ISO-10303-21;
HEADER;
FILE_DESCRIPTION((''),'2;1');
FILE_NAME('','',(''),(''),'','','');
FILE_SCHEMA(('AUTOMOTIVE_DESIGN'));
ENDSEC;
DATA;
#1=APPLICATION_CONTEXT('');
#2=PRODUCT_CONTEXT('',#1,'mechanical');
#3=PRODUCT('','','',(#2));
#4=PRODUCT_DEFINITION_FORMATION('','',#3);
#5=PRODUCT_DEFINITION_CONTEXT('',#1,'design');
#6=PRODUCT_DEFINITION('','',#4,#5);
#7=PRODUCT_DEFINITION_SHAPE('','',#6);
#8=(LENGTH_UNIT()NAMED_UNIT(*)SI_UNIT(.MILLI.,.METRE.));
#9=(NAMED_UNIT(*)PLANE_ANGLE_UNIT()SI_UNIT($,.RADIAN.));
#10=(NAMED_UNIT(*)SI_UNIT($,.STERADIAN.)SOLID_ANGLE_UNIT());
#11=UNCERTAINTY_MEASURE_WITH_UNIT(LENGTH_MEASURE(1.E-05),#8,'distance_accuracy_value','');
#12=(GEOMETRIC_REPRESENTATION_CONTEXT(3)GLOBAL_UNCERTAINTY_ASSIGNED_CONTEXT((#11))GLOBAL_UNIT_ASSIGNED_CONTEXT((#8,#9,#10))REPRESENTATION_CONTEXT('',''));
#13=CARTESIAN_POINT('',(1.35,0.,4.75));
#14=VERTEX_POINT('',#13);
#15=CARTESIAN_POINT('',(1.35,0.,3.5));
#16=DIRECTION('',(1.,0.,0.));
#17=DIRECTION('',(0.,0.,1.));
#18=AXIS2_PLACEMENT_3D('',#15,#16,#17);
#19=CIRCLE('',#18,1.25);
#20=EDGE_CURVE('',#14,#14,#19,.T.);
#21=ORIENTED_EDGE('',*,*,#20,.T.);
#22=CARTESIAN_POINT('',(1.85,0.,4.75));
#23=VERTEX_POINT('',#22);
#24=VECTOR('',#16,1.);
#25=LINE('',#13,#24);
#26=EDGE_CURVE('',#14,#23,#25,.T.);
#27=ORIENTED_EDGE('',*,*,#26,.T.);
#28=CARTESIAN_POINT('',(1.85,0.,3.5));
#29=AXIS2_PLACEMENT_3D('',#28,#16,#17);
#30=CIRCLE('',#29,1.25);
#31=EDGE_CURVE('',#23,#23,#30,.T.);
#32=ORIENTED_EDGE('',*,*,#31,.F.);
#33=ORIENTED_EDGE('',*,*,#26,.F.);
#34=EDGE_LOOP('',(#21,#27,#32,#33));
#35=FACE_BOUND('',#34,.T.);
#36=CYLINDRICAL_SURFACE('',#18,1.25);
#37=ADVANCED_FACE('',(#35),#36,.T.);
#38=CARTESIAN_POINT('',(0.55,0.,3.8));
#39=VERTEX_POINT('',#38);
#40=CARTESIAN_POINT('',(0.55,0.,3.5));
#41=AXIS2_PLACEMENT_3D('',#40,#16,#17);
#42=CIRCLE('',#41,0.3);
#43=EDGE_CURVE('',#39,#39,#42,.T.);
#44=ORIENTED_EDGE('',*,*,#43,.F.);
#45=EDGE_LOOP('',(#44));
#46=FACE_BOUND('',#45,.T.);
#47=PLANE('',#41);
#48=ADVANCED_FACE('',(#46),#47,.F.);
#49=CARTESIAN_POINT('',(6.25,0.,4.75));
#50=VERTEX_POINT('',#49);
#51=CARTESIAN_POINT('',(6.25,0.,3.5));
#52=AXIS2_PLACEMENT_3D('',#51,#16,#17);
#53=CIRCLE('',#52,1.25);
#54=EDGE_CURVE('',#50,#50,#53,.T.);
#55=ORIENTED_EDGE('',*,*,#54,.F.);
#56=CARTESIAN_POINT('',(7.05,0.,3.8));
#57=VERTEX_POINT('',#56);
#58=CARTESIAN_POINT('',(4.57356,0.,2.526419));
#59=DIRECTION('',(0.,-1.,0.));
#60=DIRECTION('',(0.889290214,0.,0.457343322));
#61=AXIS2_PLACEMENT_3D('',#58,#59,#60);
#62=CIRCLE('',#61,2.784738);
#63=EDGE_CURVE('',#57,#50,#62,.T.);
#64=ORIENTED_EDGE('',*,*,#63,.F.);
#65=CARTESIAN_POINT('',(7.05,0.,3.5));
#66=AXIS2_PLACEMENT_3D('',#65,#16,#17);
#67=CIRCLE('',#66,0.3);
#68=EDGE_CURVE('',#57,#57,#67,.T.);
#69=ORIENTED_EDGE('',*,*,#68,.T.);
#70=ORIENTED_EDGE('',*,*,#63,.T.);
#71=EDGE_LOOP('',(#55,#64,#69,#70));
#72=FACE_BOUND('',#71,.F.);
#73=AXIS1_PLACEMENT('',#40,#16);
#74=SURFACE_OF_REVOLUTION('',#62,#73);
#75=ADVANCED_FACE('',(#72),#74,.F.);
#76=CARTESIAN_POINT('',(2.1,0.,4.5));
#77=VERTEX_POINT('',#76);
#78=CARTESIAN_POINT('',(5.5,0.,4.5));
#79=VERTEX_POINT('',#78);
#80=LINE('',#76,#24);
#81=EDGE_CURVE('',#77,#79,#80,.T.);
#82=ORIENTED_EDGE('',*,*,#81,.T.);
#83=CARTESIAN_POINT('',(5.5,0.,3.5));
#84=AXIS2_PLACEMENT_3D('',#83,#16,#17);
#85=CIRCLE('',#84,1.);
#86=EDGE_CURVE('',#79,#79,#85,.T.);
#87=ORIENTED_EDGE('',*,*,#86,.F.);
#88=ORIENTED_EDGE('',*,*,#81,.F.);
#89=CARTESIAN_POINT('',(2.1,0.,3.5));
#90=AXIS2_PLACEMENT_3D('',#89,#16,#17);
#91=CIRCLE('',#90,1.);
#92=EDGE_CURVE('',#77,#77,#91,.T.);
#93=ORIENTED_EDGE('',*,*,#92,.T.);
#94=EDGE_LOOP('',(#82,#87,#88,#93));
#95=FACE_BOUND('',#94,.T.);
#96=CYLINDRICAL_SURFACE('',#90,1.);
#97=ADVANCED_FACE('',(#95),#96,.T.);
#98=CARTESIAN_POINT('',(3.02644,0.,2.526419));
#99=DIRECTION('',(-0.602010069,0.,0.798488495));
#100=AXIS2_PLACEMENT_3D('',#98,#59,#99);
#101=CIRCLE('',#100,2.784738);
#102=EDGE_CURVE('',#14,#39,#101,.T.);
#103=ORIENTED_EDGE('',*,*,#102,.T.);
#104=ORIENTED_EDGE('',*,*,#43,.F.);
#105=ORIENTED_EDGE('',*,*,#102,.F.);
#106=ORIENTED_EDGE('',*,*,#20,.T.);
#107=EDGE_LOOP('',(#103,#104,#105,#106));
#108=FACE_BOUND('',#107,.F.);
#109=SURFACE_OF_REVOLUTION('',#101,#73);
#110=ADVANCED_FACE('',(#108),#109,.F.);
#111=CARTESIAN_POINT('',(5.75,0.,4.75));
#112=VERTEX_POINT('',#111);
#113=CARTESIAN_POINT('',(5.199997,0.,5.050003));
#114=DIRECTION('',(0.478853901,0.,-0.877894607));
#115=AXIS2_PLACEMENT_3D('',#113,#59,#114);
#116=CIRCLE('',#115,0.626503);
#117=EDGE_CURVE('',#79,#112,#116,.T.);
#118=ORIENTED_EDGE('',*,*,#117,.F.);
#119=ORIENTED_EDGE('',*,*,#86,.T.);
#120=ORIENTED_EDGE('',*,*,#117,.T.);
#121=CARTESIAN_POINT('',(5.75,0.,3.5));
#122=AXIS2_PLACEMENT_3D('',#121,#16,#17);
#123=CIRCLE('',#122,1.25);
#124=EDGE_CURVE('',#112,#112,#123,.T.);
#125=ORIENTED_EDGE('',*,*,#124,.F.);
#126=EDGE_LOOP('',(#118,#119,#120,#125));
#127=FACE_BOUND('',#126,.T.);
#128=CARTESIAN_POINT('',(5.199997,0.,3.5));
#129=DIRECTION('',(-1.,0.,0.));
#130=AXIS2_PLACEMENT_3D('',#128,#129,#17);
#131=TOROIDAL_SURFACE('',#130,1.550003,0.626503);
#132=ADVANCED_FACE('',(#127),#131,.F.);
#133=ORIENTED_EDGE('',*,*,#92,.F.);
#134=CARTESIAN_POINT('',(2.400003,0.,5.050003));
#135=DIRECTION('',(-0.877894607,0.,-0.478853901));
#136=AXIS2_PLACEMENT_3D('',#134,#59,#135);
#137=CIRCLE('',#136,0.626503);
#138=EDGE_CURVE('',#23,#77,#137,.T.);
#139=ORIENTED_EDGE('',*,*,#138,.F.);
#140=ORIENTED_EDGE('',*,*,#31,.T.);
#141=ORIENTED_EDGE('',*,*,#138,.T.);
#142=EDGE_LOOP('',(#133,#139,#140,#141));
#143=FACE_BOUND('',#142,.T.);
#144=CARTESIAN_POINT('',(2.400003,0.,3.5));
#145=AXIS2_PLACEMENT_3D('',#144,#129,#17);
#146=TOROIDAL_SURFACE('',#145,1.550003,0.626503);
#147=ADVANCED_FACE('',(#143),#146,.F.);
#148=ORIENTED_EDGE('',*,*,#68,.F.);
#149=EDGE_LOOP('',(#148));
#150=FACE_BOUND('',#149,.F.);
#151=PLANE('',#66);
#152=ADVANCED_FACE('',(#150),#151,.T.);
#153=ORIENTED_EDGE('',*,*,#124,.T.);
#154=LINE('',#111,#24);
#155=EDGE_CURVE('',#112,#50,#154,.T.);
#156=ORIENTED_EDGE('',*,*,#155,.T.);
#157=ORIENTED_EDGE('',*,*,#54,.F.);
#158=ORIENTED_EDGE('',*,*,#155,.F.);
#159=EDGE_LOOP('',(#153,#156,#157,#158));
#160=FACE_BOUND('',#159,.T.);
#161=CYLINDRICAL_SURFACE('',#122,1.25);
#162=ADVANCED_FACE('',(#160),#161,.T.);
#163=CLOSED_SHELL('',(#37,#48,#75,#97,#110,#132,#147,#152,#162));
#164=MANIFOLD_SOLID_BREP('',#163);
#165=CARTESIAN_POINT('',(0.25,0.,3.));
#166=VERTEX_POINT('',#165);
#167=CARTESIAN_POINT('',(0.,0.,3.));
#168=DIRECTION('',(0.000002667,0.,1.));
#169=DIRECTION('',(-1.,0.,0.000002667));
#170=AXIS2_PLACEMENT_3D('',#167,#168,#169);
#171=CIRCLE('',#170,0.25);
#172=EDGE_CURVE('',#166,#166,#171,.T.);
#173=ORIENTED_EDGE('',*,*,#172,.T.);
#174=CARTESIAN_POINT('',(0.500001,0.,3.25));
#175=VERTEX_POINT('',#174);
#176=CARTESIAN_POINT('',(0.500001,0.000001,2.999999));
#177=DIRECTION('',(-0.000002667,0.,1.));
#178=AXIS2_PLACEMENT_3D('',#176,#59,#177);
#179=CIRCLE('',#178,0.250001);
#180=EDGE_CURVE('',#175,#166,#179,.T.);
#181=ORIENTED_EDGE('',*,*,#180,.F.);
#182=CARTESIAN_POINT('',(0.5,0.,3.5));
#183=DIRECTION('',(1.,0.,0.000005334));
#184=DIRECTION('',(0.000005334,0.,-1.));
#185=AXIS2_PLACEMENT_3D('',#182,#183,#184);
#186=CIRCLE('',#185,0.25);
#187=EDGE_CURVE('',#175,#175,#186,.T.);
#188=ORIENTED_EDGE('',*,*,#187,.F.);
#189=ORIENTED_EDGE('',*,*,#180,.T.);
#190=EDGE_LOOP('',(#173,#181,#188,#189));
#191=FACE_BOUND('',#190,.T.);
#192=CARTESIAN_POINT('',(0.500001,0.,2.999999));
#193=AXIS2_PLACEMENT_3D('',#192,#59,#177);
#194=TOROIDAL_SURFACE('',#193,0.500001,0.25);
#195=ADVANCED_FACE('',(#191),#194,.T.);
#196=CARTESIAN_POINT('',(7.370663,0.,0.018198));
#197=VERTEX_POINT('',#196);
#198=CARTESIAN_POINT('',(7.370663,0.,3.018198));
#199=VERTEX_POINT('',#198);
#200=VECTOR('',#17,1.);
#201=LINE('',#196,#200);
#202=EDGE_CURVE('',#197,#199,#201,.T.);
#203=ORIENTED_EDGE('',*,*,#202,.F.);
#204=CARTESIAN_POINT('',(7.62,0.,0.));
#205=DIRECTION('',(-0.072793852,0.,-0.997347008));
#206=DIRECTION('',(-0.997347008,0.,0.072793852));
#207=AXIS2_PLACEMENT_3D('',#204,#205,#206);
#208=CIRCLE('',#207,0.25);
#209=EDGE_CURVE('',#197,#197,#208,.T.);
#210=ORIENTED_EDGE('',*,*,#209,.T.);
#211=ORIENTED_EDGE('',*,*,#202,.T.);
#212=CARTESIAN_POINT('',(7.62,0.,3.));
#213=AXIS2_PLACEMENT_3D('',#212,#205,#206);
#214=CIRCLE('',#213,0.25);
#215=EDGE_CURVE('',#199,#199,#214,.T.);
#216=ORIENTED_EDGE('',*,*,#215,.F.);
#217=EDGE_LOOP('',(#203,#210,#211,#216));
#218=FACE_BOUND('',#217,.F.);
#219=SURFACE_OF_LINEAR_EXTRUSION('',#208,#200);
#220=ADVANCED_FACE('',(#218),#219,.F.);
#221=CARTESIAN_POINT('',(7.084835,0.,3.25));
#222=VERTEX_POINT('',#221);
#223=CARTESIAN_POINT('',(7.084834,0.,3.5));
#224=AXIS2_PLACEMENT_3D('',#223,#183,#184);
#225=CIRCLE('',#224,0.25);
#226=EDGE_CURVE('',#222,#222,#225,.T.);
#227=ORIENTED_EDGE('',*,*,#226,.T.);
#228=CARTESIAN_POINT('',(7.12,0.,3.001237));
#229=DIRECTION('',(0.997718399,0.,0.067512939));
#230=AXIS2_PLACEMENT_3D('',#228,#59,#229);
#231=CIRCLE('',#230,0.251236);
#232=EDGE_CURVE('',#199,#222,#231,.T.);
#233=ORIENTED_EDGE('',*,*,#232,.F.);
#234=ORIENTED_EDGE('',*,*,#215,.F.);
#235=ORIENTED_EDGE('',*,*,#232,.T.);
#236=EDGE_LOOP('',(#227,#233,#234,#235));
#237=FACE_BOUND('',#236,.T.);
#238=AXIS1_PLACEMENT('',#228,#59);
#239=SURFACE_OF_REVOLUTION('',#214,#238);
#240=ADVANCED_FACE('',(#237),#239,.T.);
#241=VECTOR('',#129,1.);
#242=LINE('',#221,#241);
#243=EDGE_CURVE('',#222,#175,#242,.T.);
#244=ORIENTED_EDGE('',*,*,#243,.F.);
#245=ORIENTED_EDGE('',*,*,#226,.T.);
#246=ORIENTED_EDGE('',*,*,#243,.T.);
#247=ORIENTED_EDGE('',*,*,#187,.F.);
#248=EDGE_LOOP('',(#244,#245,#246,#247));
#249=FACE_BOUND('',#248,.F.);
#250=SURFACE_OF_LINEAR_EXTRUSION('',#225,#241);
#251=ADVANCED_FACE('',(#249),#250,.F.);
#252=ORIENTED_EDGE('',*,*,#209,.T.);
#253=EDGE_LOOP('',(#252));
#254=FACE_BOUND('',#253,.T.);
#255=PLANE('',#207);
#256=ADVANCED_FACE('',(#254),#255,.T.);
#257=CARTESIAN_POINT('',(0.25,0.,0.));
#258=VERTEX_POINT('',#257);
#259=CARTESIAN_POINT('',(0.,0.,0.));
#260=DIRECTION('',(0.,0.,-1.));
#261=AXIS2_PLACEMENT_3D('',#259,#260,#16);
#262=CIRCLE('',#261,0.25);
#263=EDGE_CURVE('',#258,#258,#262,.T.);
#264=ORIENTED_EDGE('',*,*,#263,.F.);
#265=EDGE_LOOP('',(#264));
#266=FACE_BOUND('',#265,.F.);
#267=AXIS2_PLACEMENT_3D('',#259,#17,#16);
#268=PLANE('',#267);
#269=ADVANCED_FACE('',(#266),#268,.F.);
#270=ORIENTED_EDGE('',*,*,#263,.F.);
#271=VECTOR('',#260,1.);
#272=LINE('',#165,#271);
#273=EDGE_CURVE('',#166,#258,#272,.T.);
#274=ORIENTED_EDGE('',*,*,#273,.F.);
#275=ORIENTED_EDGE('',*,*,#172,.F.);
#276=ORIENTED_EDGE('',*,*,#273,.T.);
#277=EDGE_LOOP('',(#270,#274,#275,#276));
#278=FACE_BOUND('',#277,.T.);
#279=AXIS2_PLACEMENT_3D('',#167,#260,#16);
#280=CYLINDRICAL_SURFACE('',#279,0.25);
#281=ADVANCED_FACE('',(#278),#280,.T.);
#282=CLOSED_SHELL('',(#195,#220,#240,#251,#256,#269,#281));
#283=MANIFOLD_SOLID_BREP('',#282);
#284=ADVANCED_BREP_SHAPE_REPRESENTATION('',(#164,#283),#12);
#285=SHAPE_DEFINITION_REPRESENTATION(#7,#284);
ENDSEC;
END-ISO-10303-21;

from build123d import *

# Parameters (mm, degrees)
SKETCH_R = 0.25


with BuildPart() as revolution:
    # Sketch002 → Revolution (revolve)
    with BuildSketch(Plane.XZ):
        with BuildLine():
            Line((1.35, 4.75), (1.85, 4.75))
            ThreePointArc((1.85, 4.75), (1.956999, 4.606999), (2.1, 4.5))
            Line((2.1, 4.5), (5.5, 4.5))
            ThreePointArc((5.5, 4.5), (5.643001, 4.606999), (5.75, 4.75))
            Line((5.75, 4.75), (6.25, 4.75))
            ThreePointArc((7.05, 3.8), (6.703637, 4.320168), (6.25, 4.75))
            Line((7.05, 3.5), (7.05, 3.8))
            Line((0.55, 3.5), (7.05, 3.5))
            Line((0.55, 3.5), (0.55, 3.8))
            ThreePointArc((1.35, 4.75), (0.896363, 4.320168), (0.55, 3.8))
        make_face()
    revolve(axis=Axis((0.55, 0, 3.5), (1, 0, 0)))


with BuildPart() as sweep_body:
    # Sweep: sweep along a path in Sketch001
    with BuildLine(Plane.XZ) as sweep_path:
        Line((7.62, 0), (7.62, 3))
        ThreePointArc((7.62, 3), (7.461347, 3.366591), (7.084834, 3.5))
        Line((7.084834, 3.5), (0.5, 3.5))
        ThreePointArc((0.5, 3.5), (0.146447, 3.353553), (0, 3))
        Line((0, 3), (0, 0))
    # Sketch → Sweep (sweep)
    with BuildSketch(Plane.XY):
        Circle(SKETCH_R)
    sweep(path=sweep_path.line, is_frenet=True)


solid = Compound([revolution.part, sweep_body.part])
